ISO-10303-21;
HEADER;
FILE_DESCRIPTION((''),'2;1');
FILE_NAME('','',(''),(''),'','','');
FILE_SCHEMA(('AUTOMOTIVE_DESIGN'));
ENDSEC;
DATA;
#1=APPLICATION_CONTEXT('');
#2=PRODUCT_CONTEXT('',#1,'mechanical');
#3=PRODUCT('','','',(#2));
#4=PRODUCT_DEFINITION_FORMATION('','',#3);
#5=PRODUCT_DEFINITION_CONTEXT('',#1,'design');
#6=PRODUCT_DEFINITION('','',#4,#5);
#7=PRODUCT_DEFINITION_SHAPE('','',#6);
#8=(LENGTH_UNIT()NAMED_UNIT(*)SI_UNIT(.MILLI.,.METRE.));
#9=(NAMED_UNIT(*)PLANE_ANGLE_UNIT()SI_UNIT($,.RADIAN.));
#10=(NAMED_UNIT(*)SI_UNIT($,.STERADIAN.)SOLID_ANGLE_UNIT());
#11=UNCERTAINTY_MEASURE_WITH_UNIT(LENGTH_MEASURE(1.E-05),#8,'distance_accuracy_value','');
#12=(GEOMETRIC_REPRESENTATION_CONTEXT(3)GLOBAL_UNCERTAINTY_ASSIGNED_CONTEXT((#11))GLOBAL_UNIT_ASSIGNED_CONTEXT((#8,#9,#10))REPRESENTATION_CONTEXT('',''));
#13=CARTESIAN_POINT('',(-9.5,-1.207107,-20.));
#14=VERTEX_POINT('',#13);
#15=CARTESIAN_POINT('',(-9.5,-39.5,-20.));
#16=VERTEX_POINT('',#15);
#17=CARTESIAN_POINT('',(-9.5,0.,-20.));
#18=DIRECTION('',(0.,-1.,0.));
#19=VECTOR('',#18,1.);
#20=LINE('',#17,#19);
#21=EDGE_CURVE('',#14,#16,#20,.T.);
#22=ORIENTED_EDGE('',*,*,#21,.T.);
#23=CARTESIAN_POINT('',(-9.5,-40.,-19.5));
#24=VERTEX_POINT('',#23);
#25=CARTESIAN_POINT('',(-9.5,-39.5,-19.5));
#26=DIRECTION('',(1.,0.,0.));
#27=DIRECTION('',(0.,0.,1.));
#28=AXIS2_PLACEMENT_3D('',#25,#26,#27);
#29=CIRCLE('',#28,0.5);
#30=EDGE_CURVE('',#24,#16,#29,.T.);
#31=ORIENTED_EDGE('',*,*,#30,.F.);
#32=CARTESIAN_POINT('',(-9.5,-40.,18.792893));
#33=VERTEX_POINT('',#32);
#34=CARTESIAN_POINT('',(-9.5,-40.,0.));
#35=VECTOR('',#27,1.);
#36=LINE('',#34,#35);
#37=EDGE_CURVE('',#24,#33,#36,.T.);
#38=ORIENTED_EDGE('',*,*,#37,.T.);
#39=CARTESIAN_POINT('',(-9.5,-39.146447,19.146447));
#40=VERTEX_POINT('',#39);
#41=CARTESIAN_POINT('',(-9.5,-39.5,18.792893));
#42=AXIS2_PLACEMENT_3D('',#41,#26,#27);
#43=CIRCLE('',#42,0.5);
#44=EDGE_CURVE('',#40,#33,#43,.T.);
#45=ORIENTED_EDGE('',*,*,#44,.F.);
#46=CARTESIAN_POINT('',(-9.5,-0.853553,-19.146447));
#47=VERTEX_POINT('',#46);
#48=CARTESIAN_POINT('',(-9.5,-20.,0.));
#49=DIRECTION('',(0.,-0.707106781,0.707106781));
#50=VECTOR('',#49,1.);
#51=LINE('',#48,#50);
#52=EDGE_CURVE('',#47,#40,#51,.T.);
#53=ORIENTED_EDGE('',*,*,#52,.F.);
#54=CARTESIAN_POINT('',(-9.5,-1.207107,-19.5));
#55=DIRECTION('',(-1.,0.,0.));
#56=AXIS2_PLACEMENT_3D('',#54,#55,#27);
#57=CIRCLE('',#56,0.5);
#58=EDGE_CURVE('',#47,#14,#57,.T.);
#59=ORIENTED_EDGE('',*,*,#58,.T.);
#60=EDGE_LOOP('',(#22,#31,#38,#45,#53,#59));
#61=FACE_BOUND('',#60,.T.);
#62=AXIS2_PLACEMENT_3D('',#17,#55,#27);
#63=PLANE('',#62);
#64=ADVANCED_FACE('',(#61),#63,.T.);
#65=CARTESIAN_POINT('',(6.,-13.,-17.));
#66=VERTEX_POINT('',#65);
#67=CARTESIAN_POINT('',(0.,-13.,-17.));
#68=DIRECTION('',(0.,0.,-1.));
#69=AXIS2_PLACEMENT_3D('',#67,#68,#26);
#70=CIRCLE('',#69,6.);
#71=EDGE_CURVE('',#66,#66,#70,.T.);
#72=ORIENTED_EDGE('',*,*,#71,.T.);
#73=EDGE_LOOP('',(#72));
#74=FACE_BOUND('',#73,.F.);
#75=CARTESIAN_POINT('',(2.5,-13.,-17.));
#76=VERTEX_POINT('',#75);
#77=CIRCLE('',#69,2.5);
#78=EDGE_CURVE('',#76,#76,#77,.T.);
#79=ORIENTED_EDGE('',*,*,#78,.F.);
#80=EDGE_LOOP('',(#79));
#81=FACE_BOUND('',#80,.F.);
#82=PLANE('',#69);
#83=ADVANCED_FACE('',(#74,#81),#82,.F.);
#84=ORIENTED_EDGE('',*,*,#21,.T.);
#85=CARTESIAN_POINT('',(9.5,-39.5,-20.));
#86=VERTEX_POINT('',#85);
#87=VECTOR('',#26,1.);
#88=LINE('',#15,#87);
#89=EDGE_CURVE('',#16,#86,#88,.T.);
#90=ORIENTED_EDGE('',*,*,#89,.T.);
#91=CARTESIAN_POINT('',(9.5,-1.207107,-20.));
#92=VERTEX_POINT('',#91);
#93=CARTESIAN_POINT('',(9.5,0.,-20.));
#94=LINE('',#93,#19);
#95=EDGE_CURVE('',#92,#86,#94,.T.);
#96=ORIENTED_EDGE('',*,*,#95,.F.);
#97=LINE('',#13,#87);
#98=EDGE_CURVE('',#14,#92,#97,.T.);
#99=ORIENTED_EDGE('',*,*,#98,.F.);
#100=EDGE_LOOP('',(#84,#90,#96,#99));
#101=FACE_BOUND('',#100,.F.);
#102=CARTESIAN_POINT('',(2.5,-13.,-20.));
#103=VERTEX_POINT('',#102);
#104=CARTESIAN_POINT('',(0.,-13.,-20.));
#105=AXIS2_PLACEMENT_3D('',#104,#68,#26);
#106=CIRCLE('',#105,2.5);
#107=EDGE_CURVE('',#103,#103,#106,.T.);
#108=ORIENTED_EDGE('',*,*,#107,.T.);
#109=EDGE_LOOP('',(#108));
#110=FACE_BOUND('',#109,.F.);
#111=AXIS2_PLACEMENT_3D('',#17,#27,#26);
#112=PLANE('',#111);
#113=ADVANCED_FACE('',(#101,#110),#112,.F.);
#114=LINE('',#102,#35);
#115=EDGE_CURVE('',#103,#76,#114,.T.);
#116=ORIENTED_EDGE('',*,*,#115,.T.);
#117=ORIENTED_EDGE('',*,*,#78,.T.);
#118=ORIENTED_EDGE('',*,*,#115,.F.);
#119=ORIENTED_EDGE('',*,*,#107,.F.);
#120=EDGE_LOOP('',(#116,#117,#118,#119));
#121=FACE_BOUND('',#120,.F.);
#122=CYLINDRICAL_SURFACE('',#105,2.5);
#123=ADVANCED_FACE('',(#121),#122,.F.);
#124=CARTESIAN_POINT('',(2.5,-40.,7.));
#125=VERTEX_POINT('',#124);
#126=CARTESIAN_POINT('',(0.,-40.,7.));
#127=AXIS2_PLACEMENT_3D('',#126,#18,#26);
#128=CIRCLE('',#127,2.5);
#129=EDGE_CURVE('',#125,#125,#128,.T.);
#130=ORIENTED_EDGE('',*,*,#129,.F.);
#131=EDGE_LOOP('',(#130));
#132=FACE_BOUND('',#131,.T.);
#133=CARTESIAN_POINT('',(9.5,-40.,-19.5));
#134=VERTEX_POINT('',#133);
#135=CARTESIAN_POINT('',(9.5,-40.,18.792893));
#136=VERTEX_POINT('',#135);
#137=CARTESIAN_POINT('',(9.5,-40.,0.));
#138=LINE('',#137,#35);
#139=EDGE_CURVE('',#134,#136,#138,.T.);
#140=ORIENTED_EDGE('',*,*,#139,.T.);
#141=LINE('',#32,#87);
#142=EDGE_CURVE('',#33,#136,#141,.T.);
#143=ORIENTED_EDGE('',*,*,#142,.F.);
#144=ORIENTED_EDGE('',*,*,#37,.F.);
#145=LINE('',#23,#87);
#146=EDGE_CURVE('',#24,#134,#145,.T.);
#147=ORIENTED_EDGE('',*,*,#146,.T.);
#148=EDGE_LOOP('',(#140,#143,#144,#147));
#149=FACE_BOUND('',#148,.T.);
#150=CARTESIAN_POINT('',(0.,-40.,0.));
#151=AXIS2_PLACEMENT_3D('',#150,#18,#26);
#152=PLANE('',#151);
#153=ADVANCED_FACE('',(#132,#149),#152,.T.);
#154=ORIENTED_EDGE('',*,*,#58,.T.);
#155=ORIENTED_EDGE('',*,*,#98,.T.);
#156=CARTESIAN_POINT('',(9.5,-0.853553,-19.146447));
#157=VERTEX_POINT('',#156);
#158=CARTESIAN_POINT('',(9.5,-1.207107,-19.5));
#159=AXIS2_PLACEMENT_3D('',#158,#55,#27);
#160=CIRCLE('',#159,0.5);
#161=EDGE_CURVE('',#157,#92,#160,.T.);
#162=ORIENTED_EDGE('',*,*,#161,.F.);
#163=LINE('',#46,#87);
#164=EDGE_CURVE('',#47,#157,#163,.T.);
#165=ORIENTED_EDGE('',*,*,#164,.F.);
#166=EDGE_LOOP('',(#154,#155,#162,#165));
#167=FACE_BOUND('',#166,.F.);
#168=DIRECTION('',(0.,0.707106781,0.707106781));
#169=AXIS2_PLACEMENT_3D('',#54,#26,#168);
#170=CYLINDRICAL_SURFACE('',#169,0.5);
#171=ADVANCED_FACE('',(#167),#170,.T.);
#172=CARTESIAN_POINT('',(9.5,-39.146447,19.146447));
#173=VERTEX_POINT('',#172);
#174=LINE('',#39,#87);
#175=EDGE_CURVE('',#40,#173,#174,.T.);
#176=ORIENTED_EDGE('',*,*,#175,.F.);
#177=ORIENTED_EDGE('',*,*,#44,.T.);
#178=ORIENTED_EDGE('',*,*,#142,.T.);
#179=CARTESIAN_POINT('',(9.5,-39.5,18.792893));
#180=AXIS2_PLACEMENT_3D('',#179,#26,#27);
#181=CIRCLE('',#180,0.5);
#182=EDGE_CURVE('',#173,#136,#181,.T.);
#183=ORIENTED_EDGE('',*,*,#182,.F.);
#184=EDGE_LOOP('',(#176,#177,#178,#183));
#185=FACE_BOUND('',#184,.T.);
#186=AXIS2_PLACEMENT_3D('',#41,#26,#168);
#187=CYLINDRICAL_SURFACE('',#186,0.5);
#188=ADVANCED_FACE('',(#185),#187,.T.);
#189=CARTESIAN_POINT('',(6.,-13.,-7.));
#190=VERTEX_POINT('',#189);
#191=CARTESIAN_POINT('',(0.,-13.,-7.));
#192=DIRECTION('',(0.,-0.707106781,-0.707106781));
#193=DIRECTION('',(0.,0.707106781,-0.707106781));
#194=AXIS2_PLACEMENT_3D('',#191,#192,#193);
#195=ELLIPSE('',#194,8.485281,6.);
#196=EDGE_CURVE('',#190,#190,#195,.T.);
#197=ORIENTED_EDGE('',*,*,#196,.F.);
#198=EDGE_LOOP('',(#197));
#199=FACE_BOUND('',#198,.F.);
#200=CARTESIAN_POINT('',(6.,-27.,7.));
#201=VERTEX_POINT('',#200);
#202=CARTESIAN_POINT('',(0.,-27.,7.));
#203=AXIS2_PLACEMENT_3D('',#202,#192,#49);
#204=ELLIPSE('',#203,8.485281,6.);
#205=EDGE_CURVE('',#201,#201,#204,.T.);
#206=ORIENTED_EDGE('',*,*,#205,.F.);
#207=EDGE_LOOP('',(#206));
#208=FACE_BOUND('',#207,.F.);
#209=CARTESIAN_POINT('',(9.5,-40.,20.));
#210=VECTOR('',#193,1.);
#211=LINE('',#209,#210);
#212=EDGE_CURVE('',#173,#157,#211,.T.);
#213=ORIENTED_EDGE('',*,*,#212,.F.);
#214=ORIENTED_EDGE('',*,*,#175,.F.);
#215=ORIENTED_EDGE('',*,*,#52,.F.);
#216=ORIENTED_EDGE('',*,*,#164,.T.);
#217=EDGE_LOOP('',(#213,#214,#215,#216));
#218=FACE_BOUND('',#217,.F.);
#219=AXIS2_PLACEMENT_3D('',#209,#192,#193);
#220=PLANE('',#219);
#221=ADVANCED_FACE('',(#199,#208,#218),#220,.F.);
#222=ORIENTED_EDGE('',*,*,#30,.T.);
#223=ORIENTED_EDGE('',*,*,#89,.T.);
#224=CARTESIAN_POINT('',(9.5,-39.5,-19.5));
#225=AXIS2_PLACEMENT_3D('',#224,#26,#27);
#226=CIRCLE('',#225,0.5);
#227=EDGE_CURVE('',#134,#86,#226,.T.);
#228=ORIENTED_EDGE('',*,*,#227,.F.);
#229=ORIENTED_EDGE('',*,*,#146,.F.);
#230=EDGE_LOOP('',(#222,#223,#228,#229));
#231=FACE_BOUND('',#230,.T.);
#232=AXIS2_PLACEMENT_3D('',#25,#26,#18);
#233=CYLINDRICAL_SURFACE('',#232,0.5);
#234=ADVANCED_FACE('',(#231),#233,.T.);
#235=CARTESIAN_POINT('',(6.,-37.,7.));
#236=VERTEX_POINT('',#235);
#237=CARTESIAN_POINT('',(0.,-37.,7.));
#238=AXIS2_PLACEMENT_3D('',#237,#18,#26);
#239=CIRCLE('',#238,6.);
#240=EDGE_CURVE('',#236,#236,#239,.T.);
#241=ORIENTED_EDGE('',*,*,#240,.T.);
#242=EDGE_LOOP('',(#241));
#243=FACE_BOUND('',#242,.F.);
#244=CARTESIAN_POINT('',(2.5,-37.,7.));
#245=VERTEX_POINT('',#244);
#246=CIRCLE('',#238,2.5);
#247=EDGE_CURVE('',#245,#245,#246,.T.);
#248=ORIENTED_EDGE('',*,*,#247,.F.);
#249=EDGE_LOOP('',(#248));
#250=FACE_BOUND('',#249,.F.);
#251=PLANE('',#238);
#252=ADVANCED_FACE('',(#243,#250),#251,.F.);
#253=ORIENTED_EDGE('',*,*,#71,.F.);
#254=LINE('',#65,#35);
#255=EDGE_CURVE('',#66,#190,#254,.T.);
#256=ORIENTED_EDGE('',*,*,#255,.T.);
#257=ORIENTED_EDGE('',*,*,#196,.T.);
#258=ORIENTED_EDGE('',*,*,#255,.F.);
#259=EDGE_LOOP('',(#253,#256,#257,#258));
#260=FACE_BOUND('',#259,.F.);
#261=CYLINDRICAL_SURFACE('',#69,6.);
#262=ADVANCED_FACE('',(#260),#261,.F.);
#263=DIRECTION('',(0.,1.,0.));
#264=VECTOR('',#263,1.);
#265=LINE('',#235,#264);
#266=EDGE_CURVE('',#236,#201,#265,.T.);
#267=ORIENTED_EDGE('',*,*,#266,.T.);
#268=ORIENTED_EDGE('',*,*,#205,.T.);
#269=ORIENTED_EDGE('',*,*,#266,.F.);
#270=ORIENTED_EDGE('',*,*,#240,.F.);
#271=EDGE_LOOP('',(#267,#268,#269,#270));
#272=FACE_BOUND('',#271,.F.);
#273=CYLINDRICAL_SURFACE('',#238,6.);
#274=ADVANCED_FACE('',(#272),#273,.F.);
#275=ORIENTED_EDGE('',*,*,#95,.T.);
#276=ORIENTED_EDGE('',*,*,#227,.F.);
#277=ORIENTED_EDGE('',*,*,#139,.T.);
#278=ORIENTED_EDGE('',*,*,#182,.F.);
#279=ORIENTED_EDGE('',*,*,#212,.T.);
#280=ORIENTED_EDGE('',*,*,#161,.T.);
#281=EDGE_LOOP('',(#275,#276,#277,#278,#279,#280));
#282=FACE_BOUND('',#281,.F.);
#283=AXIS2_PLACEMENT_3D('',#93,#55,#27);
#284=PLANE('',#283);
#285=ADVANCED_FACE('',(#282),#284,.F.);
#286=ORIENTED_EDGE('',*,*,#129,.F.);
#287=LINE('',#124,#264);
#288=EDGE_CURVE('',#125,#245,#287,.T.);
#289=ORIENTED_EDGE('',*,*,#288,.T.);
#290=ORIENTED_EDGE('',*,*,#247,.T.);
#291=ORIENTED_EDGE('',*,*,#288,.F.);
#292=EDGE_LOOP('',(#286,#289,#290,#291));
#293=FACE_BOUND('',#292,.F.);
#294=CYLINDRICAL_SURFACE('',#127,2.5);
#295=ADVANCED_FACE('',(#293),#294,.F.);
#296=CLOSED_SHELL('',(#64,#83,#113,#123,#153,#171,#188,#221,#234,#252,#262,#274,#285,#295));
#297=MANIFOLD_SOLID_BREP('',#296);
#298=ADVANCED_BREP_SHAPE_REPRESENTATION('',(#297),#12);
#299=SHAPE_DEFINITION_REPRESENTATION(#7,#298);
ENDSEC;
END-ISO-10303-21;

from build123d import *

# Parameters (mm, degrees)
F0_W      = 19
F0_H      = 40
F1_DEPTH  = 40
F3_DEPTH  = 25
F4_R      = 2.5
F5_DEPTH  = 25
F7_START  = -3
F6_R      = 6
F7_DEPTH  = 22
F8_R      = 2.5
F9_DEPTH  = 25
F11_START = -3
F10_R     = 6
F11_DEPTH = 22
F12_R     = 0.5


with BuildPart() as f1:
    # F0 (on Front) → F1 (new body)
    with BuildSketch(Plane.XZ):
        Rectangle(F0_W, F0_H)
    extrude(amount=F1_DEPTH)

    # F2 (on face) → F3 (cut)
    with BuildSketch(Plane.YZ.offset(9.5)):
        Polygon((0, 20), (-40, 20), (0, -20), align=None)
    extrude(amount=-F3_DEPTH, mode=Mode.SUBTRACT)

    # F4 (on face) → F5 (cut)
    with BuildSketch(Plane.XZ.offset(40)):
        with Locations((0, 7)):
            Circle(F4_R)
    extrude(amount=-F5_DEPTH, mode=Mode.SUBTRACT)

    # F6 (on face) → F7 (cut)
    with BuildSketch(Plane.XZ.offset(40).offset(F7_START)):
        with Locations((0, 7)):
            Circle(F6_R)
    extrude(amount=-F7_DEPTH, mode=Mode.SUBTRACT)

    # F8 (on face) → F9 (cut)
    with BuildSketch(Plane(origin=(0, 0, -20), x_dir=(1, 0, 0), z_dir=(0, 0, -1))):
        with Locations((0, 13)):
            Circle(F8_R)
    extrude(amount=-F9_DEPTH, mode=Mode.SUBTRACT)

    # F10 (on face) → F11 (cut)
    with BuildSketch(Plane(origin=(0, 0, -20), x_dir=(1, 0, 0), z_dir=(0, 0, -1)).offset(F11_START)):
        with Locations((0, 13)):
            Circle(F10_R)
    extrude(amount=-F11_DEPTH, mode=Mode.SUBTRACT)

    # F12
    f12_edges = [f1.edges().sort_by_distance(p)[0] for p in [
        (0, -40, 20),
        (0, 0, -20),
        (0, -40, -20),
    ]]
    fillet(f12_edges, radius=F12_R)


solid = f1.part
